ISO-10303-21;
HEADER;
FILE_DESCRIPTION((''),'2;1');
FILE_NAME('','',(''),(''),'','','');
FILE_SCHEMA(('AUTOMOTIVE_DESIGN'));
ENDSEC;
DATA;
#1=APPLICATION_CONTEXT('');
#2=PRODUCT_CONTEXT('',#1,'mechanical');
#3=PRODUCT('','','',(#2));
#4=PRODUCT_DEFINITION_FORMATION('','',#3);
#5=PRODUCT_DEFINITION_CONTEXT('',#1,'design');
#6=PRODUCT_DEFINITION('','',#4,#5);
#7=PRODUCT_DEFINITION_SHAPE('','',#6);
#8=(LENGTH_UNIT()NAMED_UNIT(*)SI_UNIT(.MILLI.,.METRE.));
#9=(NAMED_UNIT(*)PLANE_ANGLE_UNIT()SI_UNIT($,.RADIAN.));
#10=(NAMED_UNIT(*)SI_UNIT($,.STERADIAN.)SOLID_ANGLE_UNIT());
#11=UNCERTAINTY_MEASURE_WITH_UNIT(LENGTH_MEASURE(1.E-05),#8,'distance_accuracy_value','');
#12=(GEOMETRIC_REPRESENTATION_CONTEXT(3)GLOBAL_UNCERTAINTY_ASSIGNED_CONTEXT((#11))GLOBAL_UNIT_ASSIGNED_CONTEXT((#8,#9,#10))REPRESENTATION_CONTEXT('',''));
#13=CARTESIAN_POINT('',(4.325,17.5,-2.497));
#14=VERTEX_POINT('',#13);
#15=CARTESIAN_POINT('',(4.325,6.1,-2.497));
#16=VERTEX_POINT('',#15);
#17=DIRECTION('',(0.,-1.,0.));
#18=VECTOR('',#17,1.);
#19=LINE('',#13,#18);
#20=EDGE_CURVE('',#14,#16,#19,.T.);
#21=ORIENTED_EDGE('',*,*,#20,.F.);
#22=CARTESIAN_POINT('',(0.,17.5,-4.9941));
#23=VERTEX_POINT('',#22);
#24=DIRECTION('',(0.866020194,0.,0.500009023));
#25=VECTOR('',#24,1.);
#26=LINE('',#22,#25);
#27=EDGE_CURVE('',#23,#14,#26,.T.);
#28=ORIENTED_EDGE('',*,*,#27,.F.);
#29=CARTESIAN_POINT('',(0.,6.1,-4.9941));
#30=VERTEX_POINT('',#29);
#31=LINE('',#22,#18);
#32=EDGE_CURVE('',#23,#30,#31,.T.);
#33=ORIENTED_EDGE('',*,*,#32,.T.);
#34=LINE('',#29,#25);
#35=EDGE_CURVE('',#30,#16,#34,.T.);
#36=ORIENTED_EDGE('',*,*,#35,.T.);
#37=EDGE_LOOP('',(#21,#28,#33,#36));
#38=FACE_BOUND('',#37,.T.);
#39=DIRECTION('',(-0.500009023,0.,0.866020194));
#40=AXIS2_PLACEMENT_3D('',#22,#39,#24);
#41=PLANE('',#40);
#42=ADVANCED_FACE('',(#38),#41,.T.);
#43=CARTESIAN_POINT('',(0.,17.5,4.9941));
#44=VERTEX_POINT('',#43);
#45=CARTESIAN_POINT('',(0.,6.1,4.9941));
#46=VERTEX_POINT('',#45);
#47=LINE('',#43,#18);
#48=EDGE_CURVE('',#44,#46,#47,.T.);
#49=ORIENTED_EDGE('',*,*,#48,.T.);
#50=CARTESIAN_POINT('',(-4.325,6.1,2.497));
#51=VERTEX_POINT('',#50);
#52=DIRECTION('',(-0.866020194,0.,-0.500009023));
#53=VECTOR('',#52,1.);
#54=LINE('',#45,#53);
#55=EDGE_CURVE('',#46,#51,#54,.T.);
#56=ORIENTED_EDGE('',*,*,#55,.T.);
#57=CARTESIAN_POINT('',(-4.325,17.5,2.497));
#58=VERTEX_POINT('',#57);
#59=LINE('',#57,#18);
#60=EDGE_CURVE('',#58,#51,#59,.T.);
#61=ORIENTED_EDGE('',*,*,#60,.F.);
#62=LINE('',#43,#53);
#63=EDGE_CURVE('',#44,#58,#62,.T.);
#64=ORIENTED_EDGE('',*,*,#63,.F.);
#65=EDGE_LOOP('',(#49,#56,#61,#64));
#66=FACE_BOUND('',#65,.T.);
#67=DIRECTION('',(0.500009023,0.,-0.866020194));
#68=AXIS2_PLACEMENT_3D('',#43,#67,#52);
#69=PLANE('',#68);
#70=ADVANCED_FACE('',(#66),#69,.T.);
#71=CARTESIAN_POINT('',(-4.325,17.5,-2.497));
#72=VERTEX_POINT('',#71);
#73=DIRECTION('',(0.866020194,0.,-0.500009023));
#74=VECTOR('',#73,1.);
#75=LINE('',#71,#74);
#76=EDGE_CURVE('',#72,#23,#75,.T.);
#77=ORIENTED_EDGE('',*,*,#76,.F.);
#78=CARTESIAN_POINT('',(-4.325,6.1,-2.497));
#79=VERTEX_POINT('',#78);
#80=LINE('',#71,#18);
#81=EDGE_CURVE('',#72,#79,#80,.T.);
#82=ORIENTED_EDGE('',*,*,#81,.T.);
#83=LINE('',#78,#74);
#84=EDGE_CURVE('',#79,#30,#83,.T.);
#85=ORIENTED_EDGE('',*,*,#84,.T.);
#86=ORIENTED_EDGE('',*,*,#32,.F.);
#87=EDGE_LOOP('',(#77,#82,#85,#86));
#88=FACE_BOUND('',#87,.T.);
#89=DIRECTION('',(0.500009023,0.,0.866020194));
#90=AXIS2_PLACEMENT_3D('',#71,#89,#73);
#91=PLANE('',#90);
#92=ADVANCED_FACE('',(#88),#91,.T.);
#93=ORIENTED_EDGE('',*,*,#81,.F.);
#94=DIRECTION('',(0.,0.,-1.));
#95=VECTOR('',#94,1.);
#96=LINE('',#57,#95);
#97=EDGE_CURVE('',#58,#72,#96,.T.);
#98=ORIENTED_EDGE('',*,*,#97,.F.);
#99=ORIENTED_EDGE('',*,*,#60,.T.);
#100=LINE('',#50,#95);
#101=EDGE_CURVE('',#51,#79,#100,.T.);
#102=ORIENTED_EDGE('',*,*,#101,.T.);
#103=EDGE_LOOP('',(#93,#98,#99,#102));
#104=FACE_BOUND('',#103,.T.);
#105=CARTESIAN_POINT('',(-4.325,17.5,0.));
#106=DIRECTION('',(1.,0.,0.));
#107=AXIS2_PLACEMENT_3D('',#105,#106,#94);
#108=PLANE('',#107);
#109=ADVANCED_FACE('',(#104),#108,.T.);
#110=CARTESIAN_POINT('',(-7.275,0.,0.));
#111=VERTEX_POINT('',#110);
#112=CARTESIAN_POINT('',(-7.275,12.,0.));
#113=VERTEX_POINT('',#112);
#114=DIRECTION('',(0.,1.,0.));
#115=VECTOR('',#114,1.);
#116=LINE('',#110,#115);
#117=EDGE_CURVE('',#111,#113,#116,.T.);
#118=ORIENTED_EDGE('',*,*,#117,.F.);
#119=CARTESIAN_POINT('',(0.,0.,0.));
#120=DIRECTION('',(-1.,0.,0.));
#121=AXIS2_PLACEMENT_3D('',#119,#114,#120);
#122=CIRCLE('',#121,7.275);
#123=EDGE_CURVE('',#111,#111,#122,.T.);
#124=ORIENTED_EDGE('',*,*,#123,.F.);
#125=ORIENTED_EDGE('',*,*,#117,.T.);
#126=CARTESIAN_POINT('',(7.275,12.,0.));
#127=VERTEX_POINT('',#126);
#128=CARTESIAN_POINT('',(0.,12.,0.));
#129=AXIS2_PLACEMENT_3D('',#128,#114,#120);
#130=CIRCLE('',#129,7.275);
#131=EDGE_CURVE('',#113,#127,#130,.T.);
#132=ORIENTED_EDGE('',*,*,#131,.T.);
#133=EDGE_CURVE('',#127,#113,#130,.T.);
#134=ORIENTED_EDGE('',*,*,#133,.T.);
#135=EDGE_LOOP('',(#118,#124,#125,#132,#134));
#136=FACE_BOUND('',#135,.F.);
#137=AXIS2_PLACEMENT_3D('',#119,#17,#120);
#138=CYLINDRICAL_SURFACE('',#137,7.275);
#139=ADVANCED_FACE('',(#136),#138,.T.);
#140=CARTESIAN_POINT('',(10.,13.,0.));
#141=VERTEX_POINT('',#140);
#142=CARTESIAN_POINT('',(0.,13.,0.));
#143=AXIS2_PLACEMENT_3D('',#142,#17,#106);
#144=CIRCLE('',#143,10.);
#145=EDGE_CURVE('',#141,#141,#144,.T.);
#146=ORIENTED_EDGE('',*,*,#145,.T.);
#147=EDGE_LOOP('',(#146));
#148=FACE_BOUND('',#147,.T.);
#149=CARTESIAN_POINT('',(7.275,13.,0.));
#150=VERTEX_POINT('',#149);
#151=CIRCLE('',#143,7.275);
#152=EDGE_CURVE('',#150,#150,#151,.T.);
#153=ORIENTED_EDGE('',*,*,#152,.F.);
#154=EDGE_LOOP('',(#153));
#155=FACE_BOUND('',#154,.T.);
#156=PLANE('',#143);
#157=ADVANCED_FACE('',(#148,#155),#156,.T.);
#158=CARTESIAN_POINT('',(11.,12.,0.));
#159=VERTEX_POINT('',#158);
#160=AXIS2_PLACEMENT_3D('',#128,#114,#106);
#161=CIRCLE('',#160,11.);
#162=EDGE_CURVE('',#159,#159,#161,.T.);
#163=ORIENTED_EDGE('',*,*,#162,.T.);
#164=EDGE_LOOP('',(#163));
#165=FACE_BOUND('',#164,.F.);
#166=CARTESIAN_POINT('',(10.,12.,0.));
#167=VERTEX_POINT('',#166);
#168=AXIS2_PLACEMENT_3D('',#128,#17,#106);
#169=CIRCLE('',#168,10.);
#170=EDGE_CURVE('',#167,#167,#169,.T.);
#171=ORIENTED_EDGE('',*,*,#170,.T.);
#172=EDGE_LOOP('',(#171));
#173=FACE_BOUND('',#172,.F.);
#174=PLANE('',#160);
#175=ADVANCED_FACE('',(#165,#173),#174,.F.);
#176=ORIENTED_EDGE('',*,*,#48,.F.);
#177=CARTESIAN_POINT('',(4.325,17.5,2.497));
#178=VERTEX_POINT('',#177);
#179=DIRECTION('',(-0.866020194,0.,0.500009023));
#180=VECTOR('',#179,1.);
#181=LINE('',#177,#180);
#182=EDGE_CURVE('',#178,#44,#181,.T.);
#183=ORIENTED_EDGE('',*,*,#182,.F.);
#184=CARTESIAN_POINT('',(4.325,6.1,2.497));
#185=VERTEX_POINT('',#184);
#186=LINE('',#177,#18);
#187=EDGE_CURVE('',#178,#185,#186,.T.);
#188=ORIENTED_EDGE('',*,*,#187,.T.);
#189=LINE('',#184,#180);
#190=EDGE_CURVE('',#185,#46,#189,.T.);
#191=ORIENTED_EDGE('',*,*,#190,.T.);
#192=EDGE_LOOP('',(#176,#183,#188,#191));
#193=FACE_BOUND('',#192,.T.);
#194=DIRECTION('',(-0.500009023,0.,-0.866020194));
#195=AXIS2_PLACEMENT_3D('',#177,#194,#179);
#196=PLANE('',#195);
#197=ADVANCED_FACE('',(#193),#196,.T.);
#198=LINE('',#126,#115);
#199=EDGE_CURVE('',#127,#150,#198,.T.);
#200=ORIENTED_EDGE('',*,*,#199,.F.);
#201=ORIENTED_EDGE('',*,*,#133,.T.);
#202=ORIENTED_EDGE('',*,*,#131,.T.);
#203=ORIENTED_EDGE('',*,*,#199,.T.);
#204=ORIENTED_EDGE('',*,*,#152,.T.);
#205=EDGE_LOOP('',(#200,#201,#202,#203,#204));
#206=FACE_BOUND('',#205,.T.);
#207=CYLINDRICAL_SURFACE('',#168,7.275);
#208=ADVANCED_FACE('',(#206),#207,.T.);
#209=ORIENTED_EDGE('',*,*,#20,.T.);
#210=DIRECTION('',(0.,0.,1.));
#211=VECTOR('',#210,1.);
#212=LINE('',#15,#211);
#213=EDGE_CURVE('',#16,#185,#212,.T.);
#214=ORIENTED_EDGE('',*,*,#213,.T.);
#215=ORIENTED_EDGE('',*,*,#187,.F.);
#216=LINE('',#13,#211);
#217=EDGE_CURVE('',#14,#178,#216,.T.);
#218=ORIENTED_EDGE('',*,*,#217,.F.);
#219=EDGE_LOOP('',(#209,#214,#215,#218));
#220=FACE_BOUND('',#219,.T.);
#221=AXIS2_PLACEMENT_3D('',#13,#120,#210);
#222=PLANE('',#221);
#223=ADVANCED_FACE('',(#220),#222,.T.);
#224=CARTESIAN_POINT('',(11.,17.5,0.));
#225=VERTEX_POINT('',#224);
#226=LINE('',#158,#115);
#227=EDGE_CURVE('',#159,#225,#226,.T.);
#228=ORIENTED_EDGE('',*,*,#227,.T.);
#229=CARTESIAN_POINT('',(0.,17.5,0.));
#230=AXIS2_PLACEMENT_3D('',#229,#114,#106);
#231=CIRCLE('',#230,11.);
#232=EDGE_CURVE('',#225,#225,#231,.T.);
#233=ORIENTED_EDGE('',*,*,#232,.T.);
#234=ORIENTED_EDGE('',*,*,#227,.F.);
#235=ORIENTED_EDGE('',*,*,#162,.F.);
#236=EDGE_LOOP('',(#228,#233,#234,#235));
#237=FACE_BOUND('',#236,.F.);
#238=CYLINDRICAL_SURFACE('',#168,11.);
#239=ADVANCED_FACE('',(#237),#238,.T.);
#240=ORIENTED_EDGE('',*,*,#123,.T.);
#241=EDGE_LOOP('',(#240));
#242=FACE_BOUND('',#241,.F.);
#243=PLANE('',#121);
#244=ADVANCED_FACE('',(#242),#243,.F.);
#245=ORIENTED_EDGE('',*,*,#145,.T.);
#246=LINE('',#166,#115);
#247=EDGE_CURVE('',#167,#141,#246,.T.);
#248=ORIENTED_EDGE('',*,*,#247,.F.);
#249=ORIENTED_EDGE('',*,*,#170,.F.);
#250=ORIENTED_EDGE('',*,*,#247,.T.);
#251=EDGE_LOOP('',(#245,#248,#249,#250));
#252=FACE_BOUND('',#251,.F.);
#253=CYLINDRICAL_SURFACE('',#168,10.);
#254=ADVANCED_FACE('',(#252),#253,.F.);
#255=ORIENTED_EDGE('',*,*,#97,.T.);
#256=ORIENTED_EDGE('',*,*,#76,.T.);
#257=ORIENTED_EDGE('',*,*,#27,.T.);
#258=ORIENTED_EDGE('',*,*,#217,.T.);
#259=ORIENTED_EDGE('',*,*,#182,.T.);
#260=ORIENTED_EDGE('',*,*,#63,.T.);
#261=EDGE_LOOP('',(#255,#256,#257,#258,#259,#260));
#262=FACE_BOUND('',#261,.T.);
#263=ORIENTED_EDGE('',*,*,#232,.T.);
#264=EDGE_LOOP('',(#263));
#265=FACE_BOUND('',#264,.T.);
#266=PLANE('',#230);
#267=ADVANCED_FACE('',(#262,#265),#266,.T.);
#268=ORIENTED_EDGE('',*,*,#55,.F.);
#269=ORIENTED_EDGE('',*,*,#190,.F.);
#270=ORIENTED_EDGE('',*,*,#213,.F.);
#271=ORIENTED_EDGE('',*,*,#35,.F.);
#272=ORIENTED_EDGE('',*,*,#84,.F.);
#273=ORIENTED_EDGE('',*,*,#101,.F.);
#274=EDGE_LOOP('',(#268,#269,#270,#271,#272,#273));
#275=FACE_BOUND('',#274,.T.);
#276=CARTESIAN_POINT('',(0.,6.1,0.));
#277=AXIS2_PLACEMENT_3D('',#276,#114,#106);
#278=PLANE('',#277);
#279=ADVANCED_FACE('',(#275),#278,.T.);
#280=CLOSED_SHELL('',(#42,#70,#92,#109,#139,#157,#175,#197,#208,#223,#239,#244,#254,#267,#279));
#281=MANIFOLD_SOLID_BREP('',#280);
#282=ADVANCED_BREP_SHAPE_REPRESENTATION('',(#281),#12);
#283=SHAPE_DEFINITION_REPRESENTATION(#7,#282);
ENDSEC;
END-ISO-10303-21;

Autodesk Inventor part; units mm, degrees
ref_plane "YZ Plane" through (0, 0, 0) normal (1, 0, 0) x (0, 1, 0)
ref_plane "XZ Plane" through (0, 0, 0) normal (0, 1, 0) x (-1, 0, 0)
ref_plane "XY Plane" through (0, 0, 0) normal (0, 0, 1) x (1, 0, 0)
sketch "Boceto1" plane through (0, 0, 0) normal (0, 1, 0) x (-1, 0, 0)
  circle A0 centre (0, 0) radius 7.275
  dimension "d0" = 14.55
extrude "Extrusión1" add sketch "Boceto1" along normal blind 12
sketch "Boceto2" plane through (0, 12, 0) normal (0, 1, 0) x (1, 0, 0)
  circle A0 centre (0, 0) radius 11
  dimension "d3" = 22
extrude "Extrusión2" add sketch "Boceto2" along normal blind 5.5
sketch "Boceto3" plane through (0, 17.5, 0) normal (0, 1, 0) x (1, 0, 0)
  line L0 (0, 0) -> (-4.325, 0)
  line L1 (-4.325, 2.497) -> (0, 4.9941)
  line L2 (0, 4.9941) -> (4.325, 2.497)
  line L3 (4.325, 2.497) -> (4.325, -2.497)
  line L4 (4.325, -2.497) -> (0, -4.9941)
  line L5 (0, -4.9941) -> (-4.325, -2.497)
  line L6 (-4.325, -2.497) -> (-4.325, 2.497)
  dimension "d6" = 4.325
extrude "Extrusión3" cut sketch "Boceto3" against normal blind 11.4
thread "Rosca1" size "M15x1.5" class "6g" standard "ANSI Metric M Profile" length 9
sketch "Boceto4" plane through (0, 12, 0) normal (0, -1, 0) x (1, 0, 0)
  circle A0 centre (0, 0) radius 7.275
  circle A1 centre (0, 0) radius 10
  dimension "d11" = 20
extrude "Extrusión4" cut sketch "Boceto4" against normal blind 1
properties part number "Tuerca_pieza_conectores"
